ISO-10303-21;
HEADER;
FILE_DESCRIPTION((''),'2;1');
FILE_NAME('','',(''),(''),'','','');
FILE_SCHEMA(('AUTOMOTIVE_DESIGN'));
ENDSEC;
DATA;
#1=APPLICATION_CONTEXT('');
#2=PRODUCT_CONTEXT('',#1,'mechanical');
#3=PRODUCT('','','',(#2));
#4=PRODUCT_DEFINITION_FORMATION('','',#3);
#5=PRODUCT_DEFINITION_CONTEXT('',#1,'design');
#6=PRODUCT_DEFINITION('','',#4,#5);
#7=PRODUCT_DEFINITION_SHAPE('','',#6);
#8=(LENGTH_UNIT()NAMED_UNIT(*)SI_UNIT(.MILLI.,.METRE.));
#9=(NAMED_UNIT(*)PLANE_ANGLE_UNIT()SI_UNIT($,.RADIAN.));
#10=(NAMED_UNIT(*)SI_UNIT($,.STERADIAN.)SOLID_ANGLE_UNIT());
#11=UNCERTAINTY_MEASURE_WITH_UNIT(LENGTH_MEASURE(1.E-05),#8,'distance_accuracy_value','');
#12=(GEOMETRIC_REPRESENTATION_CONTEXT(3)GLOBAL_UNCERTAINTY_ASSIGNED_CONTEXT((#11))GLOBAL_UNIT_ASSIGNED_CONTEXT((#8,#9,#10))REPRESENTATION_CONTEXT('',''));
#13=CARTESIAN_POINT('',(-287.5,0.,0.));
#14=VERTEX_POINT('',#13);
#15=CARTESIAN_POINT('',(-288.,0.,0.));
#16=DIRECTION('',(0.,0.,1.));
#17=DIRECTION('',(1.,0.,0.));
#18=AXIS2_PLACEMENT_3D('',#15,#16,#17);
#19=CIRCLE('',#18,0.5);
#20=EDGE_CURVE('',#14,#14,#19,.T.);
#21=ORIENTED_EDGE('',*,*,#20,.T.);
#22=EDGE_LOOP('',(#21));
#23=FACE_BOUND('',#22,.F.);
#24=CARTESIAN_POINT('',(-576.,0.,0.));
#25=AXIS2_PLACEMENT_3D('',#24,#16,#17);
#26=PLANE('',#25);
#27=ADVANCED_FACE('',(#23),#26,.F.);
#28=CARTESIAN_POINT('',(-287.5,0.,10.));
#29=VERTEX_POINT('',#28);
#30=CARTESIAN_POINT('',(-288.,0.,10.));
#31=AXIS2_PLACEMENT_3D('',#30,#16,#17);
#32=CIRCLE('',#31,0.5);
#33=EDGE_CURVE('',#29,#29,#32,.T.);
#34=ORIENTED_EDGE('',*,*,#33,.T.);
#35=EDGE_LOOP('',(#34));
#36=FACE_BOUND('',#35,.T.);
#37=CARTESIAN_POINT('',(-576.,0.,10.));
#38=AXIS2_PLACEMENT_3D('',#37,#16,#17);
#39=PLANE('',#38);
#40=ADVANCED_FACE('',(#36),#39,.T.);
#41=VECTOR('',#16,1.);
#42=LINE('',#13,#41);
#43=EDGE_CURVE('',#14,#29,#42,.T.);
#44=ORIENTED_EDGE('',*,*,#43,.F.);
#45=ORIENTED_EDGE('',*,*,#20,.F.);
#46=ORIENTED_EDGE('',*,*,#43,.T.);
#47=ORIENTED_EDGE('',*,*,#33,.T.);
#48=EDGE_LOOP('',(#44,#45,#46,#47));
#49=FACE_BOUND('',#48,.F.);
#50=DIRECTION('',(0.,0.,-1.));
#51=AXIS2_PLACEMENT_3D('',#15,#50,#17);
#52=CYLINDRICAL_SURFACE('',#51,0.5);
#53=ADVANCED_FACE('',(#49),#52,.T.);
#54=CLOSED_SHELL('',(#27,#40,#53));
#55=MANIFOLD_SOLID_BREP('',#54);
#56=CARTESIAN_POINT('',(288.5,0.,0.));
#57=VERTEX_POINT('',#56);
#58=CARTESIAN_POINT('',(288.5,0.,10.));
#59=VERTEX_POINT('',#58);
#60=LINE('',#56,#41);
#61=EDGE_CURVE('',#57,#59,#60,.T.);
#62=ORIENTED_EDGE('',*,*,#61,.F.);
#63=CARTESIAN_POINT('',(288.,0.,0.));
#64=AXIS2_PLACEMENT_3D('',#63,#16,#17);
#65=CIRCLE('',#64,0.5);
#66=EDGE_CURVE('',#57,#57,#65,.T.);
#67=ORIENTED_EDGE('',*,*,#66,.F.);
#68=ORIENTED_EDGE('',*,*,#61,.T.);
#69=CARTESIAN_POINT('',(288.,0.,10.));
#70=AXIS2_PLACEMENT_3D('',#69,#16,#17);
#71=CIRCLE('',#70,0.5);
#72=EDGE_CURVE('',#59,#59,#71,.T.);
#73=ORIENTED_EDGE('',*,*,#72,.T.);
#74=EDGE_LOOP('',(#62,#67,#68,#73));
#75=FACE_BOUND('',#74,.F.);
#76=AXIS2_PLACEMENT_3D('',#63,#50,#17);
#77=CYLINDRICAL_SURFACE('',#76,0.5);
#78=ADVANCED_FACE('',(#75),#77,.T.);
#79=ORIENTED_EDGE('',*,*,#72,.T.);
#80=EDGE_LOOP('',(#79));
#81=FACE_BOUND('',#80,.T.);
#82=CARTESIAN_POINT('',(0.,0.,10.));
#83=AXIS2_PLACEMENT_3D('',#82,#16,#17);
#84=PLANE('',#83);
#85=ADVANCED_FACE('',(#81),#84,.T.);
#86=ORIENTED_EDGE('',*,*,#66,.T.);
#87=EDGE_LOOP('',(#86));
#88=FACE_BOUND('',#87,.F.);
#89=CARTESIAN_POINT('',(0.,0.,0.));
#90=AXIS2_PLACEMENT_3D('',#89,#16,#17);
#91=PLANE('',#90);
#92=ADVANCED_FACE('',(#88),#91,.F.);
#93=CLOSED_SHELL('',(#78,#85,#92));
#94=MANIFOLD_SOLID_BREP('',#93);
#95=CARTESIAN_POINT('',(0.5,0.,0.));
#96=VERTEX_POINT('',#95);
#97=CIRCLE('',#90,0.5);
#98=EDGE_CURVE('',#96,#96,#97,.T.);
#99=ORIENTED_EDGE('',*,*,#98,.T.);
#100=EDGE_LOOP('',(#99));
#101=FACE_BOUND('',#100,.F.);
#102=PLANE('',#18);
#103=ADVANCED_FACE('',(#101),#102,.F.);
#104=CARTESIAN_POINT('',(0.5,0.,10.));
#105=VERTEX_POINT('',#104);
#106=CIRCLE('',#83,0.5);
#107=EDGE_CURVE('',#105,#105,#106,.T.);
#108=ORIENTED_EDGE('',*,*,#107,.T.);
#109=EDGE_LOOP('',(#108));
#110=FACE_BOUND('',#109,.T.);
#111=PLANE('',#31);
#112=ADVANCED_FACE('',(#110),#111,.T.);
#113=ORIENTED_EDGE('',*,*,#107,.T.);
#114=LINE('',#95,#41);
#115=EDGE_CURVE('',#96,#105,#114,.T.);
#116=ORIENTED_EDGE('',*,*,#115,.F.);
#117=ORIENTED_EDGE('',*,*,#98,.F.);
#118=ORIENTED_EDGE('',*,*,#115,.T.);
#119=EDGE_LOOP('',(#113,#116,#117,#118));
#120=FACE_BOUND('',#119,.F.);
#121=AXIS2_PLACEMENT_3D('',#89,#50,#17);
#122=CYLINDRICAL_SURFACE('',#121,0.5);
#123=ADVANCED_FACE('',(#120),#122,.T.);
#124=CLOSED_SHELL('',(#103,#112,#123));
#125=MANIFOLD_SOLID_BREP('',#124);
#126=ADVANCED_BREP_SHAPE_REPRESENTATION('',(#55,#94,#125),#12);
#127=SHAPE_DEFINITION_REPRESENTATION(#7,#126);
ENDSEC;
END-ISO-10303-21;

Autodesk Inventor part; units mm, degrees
ref_plane "YZ Plane" through (0, 0, 0) normal (1, 0, 0) x (0, 1, 0)
ref_plane "XZ Plane" through (0, 0, 0) normal (0, 1, 0) x (-1, 0, 0)
ref_plane "XY Plane" through (0, 0, 0) normal (0, 0, 1) x (1, 0, 0)
sketch "Sketch1" plane through (0, 0, 0) normal (0, 0, 1) x (1, 0, 0)
  line L0 (-357, -9) -> (357, -9)
  line L1 (357, -9) -> (357, 9)
  line L2 (357, 9) -> (-357, 9)
  line L3 (-357, 9) -> (-357, -9)
  line L4 (-357, -9) -> (357, 9) construction
  line L5 (357, -9) -> (-357, 9) construction
  point P0 (0, 0)
  dimension "d0" = 714
  dimension "d1" = 18
sketch "Sketch2" plane through (0, 0, 0) normal (0, 0, 1) x (1, 0, 0)
  circle A0 centre (288, 0) radius 0.5
  line L0 (357, 9) -> (-357, 9) projected
  line L1 (-357, -9) -> (357, -9) projected
  line L2 (0, -12.6) -> (0, 12.6) projected
  line L3 (357, -9) -> (357, 9) projected
  point P0 (0, 0)
  point P1 (357, 0)
  dimension "d4" = 1
  dimension "d26" = 69
extrude "Extrusion1" add sketch "Sketch2" along normal blind 10 contours A0
pattern_linear "Confirmat Array" count 3 spacing 288 along (-1, 0, 0) of "Extrusion1"
equation "\"d26\" = X_Coord"
equation "\"d9\" = Step"
equation "\"d0\" = ContactPatchWidth"
equation "\"d1\" = ContactPatchHeight"
equation "\"ContactPatchWidth\" = 714"
equation "\"ContactPatchHeight\" = 18"
equation "\"PlacingStep\" = 32"
equation "\"PlacingWidth\" = -MinDistFromSide1 + ContactPatchWidth - MinDistFromSide2"
equation "\"PlacingWithByStep\" = 576"
equation "\"X_Coord\" = 69"
equation "\"Step\" = 288"
equation "\"Y_Coord\" = 9.5"
equation "\"CenterX_Coord\" = MinDistFromSide1 + 0.5 * PlacingWidth"
equation "\"MaxDistBetweenByStep\" = 192"
equation "\"DistBetween\" = 297"
equation "\"MinDistFromSide1\" = 60"
equation "\"MinDistFromSide2\" = 60"
properties part number "Confirmat Joint1100"
